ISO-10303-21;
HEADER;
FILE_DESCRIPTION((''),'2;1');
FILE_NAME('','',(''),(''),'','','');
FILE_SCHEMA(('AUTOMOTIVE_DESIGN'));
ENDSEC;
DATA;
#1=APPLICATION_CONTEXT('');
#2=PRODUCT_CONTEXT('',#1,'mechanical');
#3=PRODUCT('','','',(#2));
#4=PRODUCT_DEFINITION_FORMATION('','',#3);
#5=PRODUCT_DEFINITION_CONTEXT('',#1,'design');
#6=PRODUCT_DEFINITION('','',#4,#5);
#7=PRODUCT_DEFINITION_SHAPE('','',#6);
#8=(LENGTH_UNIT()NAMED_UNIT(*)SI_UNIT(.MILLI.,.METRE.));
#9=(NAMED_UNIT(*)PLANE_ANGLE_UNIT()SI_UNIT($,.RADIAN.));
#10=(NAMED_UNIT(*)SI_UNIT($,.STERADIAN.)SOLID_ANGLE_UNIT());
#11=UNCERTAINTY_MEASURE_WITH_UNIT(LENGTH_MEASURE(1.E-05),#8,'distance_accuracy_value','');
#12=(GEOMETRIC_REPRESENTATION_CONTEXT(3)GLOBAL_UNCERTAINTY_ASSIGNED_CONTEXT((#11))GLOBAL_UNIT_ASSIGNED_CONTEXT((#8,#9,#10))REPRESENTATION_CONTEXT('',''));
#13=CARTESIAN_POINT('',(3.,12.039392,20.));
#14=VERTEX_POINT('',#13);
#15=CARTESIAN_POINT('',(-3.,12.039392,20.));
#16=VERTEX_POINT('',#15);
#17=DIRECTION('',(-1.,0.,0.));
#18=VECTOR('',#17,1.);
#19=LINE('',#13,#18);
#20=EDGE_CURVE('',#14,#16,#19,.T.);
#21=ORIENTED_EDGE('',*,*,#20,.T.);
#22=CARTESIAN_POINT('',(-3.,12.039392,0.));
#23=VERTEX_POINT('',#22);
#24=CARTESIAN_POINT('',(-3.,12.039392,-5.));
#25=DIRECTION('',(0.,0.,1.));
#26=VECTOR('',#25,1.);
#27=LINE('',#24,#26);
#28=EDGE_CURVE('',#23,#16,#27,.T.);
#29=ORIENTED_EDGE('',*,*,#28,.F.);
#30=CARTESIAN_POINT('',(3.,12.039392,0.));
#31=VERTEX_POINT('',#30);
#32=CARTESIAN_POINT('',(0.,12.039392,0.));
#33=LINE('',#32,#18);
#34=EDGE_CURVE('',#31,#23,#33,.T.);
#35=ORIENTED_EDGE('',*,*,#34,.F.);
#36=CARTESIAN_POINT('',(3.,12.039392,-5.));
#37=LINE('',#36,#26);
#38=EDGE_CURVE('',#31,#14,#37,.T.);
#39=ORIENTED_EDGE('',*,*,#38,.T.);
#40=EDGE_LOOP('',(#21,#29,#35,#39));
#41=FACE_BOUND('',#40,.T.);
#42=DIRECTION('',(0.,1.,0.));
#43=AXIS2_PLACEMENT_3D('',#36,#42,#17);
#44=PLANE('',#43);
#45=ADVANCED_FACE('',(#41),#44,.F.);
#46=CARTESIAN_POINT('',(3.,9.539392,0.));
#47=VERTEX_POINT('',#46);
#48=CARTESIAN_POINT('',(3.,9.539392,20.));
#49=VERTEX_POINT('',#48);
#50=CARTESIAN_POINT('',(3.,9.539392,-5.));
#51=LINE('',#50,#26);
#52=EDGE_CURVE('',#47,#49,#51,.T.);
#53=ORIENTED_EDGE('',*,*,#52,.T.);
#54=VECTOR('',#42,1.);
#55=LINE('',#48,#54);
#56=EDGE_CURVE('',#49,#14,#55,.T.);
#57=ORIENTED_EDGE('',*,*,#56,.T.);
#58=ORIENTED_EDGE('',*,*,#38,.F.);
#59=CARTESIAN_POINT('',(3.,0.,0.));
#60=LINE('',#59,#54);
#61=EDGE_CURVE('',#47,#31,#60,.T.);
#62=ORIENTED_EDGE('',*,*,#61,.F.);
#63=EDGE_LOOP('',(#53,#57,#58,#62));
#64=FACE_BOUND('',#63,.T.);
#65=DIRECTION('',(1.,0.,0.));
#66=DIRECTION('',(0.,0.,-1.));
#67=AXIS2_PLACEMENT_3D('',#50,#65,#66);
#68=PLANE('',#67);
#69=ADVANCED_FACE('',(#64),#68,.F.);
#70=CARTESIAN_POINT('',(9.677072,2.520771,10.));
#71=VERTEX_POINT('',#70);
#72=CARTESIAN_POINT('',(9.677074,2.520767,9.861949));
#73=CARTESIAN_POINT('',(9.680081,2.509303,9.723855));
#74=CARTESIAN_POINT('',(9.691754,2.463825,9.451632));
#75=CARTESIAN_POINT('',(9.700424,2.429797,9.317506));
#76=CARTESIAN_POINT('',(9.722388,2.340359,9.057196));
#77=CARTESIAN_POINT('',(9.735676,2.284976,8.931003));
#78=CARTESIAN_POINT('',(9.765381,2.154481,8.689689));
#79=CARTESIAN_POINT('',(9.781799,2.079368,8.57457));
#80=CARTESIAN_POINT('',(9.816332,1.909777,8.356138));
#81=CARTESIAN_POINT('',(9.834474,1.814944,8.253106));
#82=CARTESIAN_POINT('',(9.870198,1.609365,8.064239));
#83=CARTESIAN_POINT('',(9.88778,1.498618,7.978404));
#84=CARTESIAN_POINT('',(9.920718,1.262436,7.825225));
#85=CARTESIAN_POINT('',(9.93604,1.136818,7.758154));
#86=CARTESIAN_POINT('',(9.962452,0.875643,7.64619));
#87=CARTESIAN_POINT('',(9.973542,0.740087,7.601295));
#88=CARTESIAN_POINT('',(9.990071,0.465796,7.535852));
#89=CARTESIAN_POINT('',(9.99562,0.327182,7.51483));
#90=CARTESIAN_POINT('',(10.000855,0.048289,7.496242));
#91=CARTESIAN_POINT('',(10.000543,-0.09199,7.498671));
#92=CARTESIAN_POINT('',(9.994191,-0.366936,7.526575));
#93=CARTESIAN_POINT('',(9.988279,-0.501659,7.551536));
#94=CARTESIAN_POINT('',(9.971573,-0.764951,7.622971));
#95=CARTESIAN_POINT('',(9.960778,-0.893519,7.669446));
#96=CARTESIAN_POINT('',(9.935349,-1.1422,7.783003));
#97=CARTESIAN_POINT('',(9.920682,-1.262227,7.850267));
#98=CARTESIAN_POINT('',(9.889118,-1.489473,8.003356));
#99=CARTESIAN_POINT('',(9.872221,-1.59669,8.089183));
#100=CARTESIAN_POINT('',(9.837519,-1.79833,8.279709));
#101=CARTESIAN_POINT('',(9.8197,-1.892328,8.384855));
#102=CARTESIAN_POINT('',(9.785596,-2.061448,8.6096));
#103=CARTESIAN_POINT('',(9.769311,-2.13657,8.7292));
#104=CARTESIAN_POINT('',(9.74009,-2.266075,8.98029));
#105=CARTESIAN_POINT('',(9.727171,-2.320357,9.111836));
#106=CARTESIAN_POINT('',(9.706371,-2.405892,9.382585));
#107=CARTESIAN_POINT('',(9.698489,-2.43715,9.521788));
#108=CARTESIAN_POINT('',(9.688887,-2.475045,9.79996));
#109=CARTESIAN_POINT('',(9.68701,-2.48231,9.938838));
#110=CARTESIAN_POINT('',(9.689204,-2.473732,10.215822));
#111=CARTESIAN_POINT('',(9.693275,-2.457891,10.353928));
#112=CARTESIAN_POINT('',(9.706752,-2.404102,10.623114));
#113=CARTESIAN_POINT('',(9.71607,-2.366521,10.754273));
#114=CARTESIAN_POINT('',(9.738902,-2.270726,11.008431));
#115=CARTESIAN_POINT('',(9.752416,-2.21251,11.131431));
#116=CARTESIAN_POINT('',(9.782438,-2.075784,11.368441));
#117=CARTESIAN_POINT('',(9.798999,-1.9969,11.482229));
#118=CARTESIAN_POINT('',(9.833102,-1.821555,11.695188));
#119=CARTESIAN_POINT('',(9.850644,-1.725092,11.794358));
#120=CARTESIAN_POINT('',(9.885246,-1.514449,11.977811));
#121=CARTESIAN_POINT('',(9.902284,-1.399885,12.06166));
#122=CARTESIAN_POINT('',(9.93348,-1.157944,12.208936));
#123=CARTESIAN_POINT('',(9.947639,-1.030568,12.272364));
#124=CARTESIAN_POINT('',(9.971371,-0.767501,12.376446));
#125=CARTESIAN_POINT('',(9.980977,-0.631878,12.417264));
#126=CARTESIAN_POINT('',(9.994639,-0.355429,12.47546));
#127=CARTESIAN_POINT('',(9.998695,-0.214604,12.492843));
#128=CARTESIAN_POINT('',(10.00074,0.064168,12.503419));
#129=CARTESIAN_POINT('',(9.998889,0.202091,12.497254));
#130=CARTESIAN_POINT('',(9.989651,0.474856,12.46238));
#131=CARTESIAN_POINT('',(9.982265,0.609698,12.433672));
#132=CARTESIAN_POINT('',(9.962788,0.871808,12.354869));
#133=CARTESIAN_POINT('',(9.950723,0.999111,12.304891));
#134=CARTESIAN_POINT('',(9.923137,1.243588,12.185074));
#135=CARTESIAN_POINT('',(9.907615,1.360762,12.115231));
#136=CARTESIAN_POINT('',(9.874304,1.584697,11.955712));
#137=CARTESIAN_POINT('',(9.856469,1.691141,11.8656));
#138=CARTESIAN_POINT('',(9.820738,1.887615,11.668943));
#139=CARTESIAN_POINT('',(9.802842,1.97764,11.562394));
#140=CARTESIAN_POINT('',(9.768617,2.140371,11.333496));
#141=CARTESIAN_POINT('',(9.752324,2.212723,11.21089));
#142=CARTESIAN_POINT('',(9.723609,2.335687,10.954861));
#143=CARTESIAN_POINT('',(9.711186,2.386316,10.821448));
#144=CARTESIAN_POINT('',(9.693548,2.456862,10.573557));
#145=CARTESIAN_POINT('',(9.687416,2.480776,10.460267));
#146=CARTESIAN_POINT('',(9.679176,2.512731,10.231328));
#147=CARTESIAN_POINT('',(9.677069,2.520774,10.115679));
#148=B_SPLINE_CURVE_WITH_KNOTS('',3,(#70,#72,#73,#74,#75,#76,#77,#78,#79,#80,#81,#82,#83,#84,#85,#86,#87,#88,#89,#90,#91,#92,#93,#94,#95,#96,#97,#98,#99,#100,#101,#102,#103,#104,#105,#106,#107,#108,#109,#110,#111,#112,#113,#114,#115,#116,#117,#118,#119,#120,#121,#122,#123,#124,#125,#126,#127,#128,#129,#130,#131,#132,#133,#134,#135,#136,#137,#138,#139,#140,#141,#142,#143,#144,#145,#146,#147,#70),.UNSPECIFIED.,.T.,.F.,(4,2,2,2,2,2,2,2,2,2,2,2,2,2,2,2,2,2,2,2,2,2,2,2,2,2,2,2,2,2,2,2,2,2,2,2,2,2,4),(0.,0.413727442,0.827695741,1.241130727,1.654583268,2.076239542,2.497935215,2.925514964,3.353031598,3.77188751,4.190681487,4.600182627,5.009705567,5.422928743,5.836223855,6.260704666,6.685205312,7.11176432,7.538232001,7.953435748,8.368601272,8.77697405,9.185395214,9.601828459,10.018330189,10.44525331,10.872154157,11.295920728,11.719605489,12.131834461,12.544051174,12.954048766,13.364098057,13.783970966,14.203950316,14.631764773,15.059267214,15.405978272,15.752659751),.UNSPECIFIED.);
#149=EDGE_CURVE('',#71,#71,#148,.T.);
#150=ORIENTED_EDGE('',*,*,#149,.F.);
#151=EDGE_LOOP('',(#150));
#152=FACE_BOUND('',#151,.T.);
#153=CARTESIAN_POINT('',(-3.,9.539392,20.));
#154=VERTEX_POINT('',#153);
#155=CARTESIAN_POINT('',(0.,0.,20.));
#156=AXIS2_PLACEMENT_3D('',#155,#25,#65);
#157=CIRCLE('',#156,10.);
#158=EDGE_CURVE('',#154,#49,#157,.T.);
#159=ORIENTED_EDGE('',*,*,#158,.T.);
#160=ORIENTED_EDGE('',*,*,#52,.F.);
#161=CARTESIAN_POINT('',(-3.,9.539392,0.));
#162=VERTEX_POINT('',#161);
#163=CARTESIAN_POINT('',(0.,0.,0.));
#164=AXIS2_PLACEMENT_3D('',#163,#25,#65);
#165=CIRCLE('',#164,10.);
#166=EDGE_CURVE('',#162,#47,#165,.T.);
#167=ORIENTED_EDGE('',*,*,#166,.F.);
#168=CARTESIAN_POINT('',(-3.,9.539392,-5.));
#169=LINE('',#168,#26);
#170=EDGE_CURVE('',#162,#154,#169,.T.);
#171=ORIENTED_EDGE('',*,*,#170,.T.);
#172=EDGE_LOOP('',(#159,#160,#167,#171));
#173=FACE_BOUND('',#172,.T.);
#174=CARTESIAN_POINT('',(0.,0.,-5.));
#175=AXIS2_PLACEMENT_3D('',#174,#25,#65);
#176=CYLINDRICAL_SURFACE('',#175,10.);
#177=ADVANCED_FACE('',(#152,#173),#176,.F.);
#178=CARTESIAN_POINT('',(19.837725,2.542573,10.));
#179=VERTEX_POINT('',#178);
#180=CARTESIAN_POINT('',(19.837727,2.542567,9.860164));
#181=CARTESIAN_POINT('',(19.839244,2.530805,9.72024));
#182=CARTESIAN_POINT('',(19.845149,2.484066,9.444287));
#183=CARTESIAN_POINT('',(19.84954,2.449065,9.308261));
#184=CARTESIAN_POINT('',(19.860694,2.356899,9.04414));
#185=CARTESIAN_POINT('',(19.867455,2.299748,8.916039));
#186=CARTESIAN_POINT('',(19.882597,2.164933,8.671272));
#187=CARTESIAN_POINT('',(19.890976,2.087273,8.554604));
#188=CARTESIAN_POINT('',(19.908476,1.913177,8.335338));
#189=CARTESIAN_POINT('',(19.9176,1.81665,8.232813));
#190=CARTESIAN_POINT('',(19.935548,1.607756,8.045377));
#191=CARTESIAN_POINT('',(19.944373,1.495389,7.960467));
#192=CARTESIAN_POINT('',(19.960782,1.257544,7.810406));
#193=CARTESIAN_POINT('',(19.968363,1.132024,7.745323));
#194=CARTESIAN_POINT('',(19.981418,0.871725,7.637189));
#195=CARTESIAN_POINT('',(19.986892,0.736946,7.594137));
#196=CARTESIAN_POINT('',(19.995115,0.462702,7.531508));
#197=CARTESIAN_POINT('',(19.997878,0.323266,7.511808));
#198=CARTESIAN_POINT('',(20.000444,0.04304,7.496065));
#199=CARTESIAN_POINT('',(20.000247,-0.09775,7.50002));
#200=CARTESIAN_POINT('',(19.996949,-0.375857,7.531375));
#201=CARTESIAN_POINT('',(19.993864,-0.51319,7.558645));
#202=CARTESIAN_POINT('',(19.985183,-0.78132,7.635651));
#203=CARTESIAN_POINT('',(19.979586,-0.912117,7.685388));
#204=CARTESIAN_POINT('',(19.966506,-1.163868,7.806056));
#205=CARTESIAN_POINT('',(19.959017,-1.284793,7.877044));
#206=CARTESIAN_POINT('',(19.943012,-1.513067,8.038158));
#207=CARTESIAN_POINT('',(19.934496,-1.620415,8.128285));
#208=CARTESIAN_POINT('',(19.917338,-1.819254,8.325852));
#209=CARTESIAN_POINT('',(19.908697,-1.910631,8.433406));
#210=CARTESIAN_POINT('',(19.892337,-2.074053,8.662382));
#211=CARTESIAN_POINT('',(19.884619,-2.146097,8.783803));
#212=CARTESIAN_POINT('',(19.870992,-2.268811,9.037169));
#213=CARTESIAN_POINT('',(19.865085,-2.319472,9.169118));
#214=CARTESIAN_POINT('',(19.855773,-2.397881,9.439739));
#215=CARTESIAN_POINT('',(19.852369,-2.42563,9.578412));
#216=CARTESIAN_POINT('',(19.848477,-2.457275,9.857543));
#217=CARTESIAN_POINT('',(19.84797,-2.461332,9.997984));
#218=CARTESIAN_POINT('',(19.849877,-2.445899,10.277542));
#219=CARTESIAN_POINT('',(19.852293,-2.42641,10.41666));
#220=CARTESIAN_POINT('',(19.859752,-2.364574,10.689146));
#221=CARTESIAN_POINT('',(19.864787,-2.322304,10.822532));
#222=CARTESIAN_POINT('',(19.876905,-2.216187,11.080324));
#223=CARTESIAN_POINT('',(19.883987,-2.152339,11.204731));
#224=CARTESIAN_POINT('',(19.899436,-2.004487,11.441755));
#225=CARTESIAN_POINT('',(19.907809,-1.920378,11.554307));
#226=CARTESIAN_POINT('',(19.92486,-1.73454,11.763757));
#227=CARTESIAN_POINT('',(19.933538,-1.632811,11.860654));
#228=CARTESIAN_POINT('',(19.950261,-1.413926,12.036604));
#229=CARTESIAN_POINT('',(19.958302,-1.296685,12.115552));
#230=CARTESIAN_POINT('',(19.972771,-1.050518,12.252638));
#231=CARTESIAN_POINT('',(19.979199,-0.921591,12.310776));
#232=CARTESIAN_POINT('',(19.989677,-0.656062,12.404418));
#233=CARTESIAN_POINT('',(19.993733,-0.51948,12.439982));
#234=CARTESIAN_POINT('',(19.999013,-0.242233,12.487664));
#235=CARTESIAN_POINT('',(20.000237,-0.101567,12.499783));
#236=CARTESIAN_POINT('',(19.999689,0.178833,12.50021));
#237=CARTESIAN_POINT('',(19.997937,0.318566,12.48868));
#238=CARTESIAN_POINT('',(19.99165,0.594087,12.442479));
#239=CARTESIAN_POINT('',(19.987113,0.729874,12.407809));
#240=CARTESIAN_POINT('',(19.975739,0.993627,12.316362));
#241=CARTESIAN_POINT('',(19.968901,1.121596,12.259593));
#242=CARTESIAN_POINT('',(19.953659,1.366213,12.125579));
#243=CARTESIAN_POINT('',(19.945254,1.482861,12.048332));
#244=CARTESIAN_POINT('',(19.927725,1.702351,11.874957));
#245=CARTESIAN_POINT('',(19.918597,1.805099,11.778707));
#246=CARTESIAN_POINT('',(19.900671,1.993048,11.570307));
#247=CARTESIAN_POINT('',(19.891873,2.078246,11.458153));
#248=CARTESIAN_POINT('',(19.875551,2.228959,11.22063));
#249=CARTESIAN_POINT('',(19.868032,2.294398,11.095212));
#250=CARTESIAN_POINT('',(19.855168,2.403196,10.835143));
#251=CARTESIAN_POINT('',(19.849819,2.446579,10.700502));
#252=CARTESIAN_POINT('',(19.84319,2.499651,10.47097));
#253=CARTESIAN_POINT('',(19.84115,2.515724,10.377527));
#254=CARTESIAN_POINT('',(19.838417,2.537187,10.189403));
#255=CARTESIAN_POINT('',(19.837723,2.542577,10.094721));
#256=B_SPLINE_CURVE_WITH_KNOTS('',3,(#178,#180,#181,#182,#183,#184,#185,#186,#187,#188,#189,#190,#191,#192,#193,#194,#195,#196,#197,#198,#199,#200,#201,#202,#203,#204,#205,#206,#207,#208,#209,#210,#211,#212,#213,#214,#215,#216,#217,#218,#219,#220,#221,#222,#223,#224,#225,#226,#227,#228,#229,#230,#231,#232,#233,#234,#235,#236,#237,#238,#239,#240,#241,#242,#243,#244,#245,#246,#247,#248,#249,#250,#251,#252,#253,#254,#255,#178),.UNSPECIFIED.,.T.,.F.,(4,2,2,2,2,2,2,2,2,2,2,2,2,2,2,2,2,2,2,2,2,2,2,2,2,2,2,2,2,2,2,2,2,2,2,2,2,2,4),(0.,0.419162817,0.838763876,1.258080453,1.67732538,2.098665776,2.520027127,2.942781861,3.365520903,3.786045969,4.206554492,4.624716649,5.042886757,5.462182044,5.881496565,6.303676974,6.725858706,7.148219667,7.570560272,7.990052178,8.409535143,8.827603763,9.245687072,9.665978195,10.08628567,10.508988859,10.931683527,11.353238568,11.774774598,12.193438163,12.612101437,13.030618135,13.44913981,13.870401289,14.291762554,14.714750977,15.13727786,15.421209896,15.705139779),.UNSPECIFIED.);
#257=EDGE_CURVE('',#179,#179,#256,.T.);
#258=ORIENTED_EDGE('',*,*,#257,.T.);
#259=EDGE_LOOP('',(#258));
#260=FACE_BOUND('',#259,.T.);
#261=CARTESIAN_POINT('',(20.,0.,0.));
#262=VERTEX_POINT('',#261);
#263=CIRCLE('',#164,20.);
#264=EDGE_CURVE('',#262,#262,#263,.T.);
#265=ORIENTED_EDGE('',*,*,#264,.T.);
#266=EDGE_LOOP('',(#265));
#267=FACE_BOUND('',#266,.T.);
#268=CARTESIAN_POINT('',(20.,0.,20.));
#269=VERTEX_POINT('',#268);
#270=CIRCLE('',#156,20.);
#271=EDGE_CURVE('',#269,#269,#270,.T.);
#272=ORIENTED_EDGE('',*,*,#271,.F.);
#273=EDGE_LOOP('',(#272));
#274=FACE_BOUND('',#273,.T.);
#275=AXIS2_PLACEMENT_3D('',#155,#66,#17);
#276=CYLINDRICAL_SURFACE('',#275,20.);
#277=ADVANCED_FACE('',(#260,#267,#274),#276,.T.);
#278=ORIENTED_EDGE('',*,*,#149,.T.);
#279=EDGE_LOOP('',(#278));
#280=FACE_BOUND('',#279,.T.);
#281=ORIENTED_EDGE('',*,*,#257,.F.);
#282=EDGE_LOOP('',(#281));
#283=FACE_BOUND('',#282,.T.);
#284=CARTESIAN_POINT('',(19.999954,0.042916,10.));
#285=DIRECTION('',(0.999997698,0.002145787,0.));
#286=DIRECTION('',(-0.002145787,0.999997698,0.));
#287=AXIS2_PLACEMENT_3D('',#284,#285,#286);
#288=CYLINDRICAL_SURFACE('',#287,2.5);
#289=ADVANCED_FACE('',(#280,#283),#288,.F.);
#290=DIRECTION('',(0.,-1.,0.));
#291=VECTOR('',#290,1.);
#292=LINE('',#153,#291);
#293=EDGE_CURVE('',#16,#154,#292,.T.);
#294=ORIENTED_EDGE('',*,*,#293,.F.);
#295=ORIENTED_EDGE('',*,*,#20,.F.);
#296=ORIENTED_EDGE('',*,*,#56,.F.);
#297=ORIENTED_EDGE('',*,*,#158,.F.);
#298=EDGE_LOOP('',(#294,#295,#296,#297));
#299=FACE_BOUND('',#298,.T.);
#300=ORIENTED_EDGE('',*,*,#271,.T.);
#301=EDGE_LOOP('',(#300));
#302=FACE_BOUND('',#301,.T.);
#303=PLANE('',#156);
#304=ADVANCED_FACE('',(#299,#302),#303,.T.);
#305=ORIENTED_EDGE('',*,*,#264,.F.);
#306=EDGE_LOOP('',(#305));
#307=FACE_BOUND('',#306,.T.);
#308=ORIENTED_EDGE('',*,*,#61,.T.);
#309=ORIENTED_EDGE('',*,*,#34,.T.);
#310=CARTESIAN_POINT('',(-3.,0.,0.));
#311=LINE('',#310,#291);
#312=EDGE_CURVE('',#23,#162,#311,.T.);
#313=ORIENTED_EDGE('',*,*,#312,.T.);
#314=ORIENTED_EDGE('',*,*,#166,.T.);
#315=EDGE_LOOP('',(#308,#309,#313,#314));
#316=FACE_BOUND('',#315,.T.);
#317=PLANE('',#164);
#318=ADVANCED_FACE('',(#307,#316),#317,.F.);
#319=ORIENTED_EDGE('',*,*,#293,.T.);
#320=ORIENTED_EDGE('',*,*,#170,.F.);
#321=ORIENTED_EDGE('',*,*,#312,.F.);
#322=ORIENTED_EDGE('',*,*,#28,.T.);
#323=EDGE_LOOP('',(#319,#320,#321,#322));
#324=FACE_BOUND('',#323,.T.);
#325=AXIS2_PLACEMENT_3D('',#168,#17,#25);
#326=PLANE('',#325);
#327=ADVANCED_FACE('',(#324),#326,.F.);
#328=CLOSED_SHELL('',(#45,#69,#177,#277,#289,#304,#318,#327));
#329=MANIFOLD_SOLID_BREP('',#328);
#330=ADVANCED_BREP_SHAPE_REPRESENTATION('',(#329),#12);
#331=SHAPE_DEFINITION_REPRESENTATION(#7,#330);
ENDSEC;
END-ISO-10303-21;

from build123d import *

# Parameters (mm, degrees)
ESQUISSE1_R             = 20
BOSS_EXTRU_1_DEPTH      = 20
TROU_TARAUD_M61_D       = 5
TROU_TARAUD_M61_DEPTH   = 17
TROU_TARAUD_M61_TIP     = 1.502151548
ENL_V_MAT_EXTRU_1_DEPTH = 25


with BuildPart() as part:
    # Esquisse1 → Boss.-Extru.1 (new body)
    with BuildSketch(Plane.XY):
        Circle(ESQUISSE1_R)
    extrude(amount=BOSS_EXTRU_1_DEPTH)

    # Trou taraudé M61
    with Locations(Plane(origin=(19.999953956, 0.042915747, 10), x_dir=(-0.002145787, 0.999997698, 0), z_dir=(0.999997698, 0.002145787, 0))):
        with Locations((0, 0)):
            Hole(TROU_TARAUD_M61_D / 2, depth=TROU_TARAUD_M61_DEPTH)
            with Locations((0, 0, -(TROU_TARAUD_M61_DEPTH + TROU_TARAUD_M61_TIP / 2))):  # 118° drill point
                Cone(0, TROU_TARAUD_M61_D / 2, TROU_TARAUD_M61_TIP, mode=Mode.SUBTRACT)

    # Esquisse11 → Enlèv. mat.-Extru.1 (cut)
    with BuildSketch(Plane.XY.offset(20)):
        with BuildLine():
            Line((3, 9.539392014), (3, 12.039392014))
            Line((3, 12.039392014), (-3, 12.039392014))
            Line((-3, 12.039392014), (-3, 9.539392014))
            ThreePointArc((-3, 9.539392014), (0, -10), (3, 9.539392014))
        make_face()
    extrude(amount=-ENL_V_MAT_EXTRU_1_DEPTH, mode=Mode.SUBTRACT)


solid = part.part
